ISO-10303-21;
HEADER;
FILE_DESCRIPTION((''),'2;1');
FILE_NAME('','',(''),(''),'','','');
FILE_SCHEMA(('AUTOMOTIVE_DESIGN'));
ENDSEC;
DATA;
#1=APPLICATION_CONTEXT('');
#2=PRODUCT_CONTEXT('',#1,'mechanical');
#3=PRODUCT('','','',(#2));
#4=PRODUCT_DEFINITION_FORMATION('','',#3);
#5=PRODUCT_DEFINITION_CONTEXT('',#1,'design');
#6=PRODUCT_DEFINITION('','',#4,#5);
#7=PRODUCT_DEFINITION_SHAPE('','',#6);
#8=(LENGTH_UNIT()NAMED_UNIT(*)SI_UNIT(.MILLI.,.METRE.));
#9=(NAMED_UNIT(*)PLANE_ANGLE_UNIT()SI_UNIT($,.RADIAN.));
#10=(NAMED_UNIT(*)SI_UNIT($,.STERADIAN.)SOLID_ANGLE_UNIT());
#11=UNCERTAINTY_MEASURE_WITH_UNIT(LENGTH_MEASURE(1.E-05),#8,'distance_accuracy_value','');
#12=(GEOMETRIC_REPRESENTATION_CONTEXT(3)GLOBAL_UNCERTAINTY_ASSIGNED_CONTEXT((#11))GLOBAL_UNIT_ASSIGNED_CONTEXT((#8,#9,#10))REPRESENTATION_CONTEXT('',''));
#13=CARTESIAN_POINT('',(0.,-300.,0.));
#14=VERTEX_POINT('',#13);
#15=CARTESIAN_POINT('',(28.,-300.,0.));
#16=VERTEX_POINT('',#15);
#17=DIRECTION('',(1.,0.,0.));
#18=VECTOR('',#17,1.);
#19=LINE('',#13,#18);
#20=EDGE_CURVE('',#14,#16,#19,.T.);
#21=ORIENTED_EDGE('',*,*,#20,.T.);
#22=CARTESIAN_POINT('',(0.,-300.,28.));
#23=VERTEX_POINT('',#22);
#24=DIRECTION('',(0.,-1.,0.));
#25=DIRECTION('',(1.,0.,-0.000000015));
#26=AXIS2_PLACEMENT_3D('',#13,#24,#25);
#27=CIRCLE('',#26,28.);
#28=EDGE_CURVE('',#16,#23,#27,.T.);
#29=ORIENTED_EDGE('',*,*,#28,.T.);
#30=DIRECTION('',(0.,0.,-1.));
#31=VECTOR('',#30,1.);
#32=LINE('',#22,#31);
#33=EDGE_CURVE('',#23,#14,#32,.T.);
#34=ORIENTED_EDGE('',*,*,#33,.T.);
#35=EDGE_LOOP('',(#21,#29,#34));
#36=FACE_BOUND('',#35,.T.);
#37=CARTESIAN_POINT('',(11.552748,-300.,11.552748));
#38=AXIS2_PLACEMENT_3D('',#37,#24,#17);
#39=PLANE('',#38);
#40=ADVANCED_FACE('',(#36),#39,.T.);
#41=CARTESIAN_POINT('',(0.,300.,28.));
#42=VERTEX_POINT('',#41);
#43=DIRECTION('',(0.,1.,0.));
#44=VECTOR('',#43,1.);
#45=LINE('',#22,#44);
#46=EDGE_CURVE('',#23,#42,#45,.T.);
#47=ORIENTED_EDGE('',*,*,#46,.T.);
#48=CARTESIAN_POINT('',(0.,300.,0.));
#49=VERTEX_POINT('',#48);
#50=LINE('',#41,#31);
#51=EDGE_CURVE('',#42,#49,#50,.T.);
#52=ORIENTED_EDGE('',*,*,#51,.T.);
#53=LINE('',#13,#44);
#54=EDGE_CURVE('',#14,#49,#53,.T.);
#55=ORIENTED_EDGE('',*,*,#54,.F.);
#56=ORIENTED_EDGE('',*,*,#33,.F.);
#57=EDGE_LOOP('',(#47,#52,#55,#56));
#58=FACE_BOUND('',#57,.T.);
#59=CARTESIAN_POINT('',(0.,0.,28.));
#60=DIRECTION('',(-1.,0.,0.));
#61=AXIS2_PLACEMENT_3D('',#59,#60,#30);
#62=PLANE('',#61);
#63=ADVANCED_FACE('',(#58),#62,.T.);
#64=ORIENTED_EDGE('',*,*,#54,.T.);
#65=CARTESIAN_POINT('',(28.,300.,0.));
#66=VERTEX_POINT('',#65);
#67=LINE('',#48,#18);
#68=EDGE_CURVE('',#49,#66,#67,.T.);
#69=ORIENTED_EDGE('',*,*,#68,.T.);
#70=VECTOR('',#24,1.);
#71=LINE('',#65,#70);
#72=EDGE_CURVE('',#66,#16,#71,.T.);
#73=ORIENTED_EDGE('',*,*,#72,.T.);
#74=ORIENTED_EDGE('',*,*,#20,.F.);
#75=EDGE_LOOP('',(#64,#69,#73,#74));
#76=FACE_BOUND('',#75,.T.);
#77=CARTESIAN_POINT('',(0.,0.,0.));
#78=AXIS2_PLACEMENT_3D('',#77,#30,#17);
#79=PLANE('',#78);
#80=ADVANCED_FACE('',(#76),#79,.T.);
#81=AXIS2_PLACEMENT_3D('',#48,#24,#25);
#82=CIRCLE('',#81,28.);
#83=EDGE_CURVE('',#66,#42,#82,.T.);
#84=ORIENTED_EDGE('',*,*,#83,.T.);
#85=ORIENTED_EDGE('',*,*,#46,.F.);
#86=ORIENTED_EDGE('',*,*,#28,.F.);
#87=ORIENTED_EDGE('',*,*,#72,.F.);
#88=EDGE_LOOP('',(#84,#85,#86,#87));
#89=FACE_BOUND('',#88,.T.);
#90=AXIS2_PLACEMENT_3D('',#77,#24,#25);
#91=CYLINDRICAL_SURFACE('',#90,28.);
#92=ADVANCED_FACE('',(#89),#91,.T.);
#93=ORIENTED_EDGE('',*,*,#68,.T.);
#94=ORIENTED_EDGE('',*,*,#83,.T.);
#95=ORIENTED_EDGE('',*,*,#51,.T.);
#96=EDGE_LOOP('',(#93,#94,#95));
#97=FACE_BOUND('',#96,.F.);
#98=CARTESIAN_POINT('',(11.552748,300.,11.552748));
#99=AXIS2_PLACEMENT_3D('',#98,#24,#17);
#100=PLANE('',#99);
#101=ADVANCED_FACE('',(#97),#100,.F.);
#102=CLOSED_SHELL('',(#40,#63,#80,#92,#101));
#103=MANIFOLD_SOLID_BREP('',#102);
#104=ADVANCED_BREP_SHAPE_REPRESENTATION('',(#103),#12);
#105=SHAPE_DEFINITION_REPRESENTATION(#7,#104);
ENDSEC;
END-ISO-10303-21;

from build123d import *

# Parameters (mm, degrees)
F1_DEPTH = 300


with BuildPart() as f1:
    # F0 (on Front) → F1 (new body, symmetric)
    with BuildSketch(Plane.XZ):
        with BuildLine():
            Line((0, 0), (28, 0))
            ThreePointArc((28, 0), (19.79899, 19.79899), (0, 28))
            Line((0, 28), (0, 0))
        make_face()
    extrude(amount=F1_DEPTH, both=True)


solid = f1.part
